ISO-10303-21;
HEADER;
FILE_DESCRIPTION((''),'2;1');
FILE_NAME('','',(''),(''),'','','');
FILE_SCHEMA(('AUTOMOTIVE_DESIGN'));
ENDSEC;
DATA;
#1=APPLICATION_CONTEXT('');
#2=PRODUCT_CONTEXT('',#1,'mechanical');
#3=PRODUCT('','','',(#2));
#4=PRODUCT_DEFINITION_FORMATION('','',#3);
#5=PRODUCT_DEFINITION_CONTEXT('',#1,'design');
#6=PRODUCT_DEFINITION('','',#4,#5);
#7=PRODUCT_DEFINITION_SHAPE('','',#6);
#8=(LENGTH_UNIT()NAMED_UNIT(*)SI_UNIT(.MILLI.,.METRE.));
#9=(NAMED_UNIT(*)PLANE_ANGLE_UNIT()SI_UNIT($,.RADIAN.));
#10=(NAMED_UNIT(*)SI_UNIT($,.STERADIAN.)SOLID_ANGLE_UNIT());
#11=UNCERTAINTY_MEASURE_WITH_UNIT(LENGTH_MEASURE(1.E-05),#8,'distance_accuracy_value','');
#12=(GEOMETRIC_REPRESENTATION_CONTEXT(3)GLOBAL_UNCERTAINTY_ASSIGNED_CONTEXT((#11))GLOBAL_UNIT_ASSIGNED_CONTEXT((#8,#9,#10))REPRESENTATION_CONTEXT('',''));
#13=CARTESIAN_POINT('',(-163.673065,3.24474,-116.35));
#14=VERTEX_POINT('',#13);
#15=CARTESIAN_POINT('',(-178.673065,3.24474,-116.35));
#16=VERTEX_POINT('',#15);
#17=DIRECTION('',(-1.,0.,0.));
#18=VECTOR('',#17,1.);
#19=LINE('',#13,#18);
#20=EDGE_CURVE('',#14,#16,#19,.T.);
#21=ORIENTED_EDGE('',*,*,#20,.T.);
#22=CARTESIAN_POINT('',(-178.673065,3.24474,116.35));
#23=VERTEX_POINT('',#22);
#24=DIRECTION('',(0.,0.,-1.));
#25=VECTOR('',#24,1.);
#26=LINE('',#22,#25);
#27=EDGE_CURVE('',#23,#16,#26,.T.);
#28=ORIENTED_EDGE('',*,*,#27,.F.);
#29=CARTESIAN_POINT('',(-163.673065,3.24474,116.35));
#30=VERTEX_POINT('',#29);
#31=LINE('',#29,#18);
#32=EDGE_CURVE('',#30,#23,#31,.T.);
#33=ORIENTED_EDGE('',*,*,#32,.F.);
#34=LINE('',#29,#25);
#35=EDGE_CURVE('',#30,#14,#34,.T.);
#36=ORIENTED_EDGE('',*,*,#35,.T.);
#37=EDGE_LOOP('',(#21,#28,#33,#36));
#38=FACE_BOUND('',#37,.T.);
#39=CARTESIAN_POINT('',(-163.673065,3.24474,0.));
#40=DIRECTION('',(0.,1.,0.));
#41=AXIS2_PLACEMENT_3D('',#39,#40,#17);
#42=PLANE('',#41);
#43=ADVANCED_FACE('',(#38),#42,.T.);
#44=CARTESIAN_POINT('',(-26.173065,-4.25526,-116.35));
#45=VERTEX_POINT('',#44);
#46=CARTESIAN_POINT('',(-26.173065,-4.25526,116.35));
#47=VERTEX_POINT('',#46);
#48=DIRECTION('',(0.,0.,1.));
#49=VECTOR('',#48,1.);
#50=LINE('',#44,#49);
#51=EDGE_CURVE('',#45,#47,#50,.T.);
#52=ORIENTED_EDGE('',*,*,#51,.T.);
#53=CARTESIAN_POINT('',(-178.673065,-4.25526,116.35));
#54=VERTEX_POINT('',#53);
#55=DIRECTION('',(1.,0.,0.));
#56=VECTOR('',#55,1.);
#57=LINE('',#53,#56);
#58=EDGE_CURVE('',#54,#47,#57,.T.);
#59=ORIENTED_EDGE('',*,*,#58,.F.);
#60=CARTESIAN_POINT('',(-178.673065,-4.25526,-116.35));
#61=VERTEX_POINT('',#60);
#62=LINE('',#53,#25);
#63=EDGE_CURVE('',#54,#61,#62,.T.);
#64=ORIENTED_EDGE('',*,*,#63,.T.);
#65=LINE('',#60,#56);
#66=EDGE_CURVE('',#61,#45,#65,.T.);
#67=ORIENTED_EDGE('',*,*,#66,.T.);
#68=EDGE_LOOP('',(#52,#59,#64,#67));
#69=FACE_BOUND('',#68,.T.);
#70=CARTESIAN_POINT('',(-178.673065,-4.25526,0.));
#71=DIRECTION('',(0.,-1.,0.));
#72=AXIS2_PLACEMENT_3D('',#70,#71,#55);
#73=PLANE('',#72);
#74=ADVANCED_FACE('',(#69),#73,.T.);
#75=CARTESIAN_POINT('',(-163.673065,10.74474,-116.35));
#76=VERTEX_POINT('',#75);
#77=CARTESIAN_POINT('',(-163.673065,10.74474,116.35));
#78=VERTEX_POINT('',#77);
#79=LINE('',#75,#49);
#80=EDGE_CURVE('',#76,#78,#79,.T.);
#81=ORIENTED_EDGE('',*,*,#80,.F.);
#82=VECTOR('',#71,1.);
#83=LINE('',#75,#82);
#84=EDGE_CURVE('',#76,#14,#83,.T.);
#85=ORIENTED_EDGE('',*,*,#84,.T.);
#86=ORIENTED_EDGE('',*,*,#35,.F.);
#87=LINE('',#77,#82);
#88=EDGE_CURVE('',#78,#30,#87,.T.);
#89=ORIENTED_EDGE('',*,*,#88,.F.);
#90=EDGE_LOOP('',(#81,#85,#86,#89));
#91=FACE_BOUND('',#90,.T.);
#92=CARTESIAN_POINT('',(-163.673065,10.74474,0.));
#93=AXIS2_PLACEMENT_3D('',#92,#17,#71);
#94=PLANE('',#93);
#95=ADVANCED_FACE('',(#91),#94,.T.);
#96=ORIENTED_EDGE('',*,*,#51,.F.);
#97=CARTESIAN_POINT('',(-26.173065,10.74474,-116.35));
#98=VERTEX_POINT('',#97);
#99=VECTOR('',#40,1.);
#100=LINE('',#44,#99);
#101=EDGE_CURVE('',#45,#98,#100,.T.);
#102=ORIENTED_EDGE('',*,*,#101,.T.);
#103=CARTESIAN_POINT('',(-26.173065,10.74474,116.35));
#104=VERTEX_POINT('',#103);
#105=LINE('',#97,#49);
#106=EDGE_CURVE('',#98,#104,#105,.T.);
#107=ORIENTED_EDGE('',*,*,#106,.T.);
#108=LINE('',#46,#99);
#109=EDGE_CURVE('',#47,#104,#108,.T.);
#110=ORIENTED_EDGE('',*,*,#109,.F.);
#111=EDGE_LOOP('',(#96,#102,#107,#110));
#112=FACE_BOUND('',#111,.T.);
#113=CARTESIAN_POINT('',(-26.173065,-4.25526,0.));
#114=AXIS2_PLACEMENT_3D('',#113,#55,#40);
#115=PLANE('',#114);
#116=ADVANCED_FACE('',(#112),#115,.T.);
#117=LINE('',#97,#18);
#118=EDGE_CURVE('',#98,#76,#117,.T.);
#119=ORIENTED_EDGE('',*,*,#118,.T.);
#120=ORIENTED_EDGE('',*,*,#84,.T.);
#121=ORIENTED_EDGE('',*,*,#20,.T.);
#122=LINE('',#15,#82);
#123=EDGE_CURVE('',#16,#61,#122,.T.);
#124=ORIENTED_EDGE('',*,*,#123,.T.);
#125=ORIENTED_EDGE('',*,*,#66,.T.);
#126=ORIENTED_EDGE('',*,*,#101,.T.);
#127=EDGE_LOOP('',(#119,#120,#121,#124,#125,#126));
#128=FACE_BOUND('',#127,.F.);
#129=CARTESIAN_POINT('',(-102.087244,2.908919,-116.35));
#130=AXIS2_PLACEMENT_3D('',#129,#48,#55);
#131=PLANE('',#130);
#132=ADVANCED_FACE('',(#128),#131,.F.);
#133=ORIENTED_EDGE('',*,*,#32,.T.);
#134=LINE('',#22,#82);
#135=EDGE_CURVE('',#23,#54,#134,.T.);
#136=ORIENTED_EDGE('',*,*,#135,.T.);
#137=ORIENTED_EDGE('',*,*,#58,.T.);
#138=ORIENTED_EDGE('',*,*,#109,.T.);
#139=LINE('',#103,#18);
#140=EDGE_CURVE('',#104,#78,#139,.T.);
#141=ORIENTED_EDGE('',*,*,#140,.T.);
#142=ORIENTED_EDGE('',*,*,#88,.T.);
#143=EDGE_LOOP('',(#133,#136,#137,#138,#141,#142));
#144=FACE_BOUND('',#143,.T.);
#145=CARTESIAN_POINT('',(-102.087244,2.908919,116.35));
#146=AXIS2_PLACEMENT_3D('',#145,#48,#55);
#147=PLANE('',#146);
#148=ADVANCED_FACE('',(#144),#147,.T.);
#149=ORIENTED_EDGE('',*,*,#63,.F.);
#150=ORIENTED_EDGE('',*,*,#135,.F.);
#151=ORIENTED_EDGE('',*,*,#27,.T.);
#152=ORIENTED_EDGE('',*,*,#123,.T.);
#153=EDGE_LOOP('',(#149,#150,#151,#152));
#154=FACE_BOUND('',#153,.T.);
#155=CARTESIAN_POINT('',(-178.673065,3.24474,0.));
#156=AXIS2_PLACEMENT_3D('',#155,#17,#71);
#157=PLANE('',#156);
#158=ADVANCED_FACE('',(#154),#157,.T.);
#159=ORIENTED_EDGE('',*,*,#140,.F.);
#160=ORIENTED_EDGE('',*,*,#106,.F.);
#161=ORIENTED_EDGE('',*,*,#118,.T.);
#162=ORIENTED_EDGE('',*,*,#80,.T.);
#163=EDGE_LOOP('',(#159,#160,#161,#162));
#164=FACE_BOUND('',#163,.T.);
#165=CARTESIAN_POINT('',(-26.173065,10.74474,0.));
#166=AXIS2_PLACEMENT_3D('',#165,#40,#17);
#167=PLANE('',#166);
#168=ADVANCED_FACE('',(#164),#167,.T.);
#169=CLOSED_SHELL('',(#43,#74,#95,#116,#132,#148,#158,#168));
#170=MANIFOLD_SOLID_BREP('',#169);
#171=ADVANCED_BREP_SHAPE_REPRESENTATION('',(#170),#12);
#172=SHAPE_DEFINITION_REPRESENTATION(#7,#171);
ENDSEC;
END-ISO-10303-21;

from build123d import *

# Parameters (mm, degrees)
F1_DEPTH = 116.35


with BuildPart() as f1:
    # F0 (on Top) → F1 (new body, symmetric)
    with BuildSketch(Plane.XY):
        Polygon((-178.6730651801, -4.2552597793), (-33.6730651801, -4.2552597793), (-26.1730651801, -4.2552597793), (-26.1730651801, 10.7447402207), (-33.6730651801, 10.7447402207), (-163.6730651801, 10.7447402207), (-163.6730651801, 3.2447402207), (-178.6730651801, 3.2447402207), align=None)
    extrude(amount=F1_DEPTH, both=True)


solid = f1.part
